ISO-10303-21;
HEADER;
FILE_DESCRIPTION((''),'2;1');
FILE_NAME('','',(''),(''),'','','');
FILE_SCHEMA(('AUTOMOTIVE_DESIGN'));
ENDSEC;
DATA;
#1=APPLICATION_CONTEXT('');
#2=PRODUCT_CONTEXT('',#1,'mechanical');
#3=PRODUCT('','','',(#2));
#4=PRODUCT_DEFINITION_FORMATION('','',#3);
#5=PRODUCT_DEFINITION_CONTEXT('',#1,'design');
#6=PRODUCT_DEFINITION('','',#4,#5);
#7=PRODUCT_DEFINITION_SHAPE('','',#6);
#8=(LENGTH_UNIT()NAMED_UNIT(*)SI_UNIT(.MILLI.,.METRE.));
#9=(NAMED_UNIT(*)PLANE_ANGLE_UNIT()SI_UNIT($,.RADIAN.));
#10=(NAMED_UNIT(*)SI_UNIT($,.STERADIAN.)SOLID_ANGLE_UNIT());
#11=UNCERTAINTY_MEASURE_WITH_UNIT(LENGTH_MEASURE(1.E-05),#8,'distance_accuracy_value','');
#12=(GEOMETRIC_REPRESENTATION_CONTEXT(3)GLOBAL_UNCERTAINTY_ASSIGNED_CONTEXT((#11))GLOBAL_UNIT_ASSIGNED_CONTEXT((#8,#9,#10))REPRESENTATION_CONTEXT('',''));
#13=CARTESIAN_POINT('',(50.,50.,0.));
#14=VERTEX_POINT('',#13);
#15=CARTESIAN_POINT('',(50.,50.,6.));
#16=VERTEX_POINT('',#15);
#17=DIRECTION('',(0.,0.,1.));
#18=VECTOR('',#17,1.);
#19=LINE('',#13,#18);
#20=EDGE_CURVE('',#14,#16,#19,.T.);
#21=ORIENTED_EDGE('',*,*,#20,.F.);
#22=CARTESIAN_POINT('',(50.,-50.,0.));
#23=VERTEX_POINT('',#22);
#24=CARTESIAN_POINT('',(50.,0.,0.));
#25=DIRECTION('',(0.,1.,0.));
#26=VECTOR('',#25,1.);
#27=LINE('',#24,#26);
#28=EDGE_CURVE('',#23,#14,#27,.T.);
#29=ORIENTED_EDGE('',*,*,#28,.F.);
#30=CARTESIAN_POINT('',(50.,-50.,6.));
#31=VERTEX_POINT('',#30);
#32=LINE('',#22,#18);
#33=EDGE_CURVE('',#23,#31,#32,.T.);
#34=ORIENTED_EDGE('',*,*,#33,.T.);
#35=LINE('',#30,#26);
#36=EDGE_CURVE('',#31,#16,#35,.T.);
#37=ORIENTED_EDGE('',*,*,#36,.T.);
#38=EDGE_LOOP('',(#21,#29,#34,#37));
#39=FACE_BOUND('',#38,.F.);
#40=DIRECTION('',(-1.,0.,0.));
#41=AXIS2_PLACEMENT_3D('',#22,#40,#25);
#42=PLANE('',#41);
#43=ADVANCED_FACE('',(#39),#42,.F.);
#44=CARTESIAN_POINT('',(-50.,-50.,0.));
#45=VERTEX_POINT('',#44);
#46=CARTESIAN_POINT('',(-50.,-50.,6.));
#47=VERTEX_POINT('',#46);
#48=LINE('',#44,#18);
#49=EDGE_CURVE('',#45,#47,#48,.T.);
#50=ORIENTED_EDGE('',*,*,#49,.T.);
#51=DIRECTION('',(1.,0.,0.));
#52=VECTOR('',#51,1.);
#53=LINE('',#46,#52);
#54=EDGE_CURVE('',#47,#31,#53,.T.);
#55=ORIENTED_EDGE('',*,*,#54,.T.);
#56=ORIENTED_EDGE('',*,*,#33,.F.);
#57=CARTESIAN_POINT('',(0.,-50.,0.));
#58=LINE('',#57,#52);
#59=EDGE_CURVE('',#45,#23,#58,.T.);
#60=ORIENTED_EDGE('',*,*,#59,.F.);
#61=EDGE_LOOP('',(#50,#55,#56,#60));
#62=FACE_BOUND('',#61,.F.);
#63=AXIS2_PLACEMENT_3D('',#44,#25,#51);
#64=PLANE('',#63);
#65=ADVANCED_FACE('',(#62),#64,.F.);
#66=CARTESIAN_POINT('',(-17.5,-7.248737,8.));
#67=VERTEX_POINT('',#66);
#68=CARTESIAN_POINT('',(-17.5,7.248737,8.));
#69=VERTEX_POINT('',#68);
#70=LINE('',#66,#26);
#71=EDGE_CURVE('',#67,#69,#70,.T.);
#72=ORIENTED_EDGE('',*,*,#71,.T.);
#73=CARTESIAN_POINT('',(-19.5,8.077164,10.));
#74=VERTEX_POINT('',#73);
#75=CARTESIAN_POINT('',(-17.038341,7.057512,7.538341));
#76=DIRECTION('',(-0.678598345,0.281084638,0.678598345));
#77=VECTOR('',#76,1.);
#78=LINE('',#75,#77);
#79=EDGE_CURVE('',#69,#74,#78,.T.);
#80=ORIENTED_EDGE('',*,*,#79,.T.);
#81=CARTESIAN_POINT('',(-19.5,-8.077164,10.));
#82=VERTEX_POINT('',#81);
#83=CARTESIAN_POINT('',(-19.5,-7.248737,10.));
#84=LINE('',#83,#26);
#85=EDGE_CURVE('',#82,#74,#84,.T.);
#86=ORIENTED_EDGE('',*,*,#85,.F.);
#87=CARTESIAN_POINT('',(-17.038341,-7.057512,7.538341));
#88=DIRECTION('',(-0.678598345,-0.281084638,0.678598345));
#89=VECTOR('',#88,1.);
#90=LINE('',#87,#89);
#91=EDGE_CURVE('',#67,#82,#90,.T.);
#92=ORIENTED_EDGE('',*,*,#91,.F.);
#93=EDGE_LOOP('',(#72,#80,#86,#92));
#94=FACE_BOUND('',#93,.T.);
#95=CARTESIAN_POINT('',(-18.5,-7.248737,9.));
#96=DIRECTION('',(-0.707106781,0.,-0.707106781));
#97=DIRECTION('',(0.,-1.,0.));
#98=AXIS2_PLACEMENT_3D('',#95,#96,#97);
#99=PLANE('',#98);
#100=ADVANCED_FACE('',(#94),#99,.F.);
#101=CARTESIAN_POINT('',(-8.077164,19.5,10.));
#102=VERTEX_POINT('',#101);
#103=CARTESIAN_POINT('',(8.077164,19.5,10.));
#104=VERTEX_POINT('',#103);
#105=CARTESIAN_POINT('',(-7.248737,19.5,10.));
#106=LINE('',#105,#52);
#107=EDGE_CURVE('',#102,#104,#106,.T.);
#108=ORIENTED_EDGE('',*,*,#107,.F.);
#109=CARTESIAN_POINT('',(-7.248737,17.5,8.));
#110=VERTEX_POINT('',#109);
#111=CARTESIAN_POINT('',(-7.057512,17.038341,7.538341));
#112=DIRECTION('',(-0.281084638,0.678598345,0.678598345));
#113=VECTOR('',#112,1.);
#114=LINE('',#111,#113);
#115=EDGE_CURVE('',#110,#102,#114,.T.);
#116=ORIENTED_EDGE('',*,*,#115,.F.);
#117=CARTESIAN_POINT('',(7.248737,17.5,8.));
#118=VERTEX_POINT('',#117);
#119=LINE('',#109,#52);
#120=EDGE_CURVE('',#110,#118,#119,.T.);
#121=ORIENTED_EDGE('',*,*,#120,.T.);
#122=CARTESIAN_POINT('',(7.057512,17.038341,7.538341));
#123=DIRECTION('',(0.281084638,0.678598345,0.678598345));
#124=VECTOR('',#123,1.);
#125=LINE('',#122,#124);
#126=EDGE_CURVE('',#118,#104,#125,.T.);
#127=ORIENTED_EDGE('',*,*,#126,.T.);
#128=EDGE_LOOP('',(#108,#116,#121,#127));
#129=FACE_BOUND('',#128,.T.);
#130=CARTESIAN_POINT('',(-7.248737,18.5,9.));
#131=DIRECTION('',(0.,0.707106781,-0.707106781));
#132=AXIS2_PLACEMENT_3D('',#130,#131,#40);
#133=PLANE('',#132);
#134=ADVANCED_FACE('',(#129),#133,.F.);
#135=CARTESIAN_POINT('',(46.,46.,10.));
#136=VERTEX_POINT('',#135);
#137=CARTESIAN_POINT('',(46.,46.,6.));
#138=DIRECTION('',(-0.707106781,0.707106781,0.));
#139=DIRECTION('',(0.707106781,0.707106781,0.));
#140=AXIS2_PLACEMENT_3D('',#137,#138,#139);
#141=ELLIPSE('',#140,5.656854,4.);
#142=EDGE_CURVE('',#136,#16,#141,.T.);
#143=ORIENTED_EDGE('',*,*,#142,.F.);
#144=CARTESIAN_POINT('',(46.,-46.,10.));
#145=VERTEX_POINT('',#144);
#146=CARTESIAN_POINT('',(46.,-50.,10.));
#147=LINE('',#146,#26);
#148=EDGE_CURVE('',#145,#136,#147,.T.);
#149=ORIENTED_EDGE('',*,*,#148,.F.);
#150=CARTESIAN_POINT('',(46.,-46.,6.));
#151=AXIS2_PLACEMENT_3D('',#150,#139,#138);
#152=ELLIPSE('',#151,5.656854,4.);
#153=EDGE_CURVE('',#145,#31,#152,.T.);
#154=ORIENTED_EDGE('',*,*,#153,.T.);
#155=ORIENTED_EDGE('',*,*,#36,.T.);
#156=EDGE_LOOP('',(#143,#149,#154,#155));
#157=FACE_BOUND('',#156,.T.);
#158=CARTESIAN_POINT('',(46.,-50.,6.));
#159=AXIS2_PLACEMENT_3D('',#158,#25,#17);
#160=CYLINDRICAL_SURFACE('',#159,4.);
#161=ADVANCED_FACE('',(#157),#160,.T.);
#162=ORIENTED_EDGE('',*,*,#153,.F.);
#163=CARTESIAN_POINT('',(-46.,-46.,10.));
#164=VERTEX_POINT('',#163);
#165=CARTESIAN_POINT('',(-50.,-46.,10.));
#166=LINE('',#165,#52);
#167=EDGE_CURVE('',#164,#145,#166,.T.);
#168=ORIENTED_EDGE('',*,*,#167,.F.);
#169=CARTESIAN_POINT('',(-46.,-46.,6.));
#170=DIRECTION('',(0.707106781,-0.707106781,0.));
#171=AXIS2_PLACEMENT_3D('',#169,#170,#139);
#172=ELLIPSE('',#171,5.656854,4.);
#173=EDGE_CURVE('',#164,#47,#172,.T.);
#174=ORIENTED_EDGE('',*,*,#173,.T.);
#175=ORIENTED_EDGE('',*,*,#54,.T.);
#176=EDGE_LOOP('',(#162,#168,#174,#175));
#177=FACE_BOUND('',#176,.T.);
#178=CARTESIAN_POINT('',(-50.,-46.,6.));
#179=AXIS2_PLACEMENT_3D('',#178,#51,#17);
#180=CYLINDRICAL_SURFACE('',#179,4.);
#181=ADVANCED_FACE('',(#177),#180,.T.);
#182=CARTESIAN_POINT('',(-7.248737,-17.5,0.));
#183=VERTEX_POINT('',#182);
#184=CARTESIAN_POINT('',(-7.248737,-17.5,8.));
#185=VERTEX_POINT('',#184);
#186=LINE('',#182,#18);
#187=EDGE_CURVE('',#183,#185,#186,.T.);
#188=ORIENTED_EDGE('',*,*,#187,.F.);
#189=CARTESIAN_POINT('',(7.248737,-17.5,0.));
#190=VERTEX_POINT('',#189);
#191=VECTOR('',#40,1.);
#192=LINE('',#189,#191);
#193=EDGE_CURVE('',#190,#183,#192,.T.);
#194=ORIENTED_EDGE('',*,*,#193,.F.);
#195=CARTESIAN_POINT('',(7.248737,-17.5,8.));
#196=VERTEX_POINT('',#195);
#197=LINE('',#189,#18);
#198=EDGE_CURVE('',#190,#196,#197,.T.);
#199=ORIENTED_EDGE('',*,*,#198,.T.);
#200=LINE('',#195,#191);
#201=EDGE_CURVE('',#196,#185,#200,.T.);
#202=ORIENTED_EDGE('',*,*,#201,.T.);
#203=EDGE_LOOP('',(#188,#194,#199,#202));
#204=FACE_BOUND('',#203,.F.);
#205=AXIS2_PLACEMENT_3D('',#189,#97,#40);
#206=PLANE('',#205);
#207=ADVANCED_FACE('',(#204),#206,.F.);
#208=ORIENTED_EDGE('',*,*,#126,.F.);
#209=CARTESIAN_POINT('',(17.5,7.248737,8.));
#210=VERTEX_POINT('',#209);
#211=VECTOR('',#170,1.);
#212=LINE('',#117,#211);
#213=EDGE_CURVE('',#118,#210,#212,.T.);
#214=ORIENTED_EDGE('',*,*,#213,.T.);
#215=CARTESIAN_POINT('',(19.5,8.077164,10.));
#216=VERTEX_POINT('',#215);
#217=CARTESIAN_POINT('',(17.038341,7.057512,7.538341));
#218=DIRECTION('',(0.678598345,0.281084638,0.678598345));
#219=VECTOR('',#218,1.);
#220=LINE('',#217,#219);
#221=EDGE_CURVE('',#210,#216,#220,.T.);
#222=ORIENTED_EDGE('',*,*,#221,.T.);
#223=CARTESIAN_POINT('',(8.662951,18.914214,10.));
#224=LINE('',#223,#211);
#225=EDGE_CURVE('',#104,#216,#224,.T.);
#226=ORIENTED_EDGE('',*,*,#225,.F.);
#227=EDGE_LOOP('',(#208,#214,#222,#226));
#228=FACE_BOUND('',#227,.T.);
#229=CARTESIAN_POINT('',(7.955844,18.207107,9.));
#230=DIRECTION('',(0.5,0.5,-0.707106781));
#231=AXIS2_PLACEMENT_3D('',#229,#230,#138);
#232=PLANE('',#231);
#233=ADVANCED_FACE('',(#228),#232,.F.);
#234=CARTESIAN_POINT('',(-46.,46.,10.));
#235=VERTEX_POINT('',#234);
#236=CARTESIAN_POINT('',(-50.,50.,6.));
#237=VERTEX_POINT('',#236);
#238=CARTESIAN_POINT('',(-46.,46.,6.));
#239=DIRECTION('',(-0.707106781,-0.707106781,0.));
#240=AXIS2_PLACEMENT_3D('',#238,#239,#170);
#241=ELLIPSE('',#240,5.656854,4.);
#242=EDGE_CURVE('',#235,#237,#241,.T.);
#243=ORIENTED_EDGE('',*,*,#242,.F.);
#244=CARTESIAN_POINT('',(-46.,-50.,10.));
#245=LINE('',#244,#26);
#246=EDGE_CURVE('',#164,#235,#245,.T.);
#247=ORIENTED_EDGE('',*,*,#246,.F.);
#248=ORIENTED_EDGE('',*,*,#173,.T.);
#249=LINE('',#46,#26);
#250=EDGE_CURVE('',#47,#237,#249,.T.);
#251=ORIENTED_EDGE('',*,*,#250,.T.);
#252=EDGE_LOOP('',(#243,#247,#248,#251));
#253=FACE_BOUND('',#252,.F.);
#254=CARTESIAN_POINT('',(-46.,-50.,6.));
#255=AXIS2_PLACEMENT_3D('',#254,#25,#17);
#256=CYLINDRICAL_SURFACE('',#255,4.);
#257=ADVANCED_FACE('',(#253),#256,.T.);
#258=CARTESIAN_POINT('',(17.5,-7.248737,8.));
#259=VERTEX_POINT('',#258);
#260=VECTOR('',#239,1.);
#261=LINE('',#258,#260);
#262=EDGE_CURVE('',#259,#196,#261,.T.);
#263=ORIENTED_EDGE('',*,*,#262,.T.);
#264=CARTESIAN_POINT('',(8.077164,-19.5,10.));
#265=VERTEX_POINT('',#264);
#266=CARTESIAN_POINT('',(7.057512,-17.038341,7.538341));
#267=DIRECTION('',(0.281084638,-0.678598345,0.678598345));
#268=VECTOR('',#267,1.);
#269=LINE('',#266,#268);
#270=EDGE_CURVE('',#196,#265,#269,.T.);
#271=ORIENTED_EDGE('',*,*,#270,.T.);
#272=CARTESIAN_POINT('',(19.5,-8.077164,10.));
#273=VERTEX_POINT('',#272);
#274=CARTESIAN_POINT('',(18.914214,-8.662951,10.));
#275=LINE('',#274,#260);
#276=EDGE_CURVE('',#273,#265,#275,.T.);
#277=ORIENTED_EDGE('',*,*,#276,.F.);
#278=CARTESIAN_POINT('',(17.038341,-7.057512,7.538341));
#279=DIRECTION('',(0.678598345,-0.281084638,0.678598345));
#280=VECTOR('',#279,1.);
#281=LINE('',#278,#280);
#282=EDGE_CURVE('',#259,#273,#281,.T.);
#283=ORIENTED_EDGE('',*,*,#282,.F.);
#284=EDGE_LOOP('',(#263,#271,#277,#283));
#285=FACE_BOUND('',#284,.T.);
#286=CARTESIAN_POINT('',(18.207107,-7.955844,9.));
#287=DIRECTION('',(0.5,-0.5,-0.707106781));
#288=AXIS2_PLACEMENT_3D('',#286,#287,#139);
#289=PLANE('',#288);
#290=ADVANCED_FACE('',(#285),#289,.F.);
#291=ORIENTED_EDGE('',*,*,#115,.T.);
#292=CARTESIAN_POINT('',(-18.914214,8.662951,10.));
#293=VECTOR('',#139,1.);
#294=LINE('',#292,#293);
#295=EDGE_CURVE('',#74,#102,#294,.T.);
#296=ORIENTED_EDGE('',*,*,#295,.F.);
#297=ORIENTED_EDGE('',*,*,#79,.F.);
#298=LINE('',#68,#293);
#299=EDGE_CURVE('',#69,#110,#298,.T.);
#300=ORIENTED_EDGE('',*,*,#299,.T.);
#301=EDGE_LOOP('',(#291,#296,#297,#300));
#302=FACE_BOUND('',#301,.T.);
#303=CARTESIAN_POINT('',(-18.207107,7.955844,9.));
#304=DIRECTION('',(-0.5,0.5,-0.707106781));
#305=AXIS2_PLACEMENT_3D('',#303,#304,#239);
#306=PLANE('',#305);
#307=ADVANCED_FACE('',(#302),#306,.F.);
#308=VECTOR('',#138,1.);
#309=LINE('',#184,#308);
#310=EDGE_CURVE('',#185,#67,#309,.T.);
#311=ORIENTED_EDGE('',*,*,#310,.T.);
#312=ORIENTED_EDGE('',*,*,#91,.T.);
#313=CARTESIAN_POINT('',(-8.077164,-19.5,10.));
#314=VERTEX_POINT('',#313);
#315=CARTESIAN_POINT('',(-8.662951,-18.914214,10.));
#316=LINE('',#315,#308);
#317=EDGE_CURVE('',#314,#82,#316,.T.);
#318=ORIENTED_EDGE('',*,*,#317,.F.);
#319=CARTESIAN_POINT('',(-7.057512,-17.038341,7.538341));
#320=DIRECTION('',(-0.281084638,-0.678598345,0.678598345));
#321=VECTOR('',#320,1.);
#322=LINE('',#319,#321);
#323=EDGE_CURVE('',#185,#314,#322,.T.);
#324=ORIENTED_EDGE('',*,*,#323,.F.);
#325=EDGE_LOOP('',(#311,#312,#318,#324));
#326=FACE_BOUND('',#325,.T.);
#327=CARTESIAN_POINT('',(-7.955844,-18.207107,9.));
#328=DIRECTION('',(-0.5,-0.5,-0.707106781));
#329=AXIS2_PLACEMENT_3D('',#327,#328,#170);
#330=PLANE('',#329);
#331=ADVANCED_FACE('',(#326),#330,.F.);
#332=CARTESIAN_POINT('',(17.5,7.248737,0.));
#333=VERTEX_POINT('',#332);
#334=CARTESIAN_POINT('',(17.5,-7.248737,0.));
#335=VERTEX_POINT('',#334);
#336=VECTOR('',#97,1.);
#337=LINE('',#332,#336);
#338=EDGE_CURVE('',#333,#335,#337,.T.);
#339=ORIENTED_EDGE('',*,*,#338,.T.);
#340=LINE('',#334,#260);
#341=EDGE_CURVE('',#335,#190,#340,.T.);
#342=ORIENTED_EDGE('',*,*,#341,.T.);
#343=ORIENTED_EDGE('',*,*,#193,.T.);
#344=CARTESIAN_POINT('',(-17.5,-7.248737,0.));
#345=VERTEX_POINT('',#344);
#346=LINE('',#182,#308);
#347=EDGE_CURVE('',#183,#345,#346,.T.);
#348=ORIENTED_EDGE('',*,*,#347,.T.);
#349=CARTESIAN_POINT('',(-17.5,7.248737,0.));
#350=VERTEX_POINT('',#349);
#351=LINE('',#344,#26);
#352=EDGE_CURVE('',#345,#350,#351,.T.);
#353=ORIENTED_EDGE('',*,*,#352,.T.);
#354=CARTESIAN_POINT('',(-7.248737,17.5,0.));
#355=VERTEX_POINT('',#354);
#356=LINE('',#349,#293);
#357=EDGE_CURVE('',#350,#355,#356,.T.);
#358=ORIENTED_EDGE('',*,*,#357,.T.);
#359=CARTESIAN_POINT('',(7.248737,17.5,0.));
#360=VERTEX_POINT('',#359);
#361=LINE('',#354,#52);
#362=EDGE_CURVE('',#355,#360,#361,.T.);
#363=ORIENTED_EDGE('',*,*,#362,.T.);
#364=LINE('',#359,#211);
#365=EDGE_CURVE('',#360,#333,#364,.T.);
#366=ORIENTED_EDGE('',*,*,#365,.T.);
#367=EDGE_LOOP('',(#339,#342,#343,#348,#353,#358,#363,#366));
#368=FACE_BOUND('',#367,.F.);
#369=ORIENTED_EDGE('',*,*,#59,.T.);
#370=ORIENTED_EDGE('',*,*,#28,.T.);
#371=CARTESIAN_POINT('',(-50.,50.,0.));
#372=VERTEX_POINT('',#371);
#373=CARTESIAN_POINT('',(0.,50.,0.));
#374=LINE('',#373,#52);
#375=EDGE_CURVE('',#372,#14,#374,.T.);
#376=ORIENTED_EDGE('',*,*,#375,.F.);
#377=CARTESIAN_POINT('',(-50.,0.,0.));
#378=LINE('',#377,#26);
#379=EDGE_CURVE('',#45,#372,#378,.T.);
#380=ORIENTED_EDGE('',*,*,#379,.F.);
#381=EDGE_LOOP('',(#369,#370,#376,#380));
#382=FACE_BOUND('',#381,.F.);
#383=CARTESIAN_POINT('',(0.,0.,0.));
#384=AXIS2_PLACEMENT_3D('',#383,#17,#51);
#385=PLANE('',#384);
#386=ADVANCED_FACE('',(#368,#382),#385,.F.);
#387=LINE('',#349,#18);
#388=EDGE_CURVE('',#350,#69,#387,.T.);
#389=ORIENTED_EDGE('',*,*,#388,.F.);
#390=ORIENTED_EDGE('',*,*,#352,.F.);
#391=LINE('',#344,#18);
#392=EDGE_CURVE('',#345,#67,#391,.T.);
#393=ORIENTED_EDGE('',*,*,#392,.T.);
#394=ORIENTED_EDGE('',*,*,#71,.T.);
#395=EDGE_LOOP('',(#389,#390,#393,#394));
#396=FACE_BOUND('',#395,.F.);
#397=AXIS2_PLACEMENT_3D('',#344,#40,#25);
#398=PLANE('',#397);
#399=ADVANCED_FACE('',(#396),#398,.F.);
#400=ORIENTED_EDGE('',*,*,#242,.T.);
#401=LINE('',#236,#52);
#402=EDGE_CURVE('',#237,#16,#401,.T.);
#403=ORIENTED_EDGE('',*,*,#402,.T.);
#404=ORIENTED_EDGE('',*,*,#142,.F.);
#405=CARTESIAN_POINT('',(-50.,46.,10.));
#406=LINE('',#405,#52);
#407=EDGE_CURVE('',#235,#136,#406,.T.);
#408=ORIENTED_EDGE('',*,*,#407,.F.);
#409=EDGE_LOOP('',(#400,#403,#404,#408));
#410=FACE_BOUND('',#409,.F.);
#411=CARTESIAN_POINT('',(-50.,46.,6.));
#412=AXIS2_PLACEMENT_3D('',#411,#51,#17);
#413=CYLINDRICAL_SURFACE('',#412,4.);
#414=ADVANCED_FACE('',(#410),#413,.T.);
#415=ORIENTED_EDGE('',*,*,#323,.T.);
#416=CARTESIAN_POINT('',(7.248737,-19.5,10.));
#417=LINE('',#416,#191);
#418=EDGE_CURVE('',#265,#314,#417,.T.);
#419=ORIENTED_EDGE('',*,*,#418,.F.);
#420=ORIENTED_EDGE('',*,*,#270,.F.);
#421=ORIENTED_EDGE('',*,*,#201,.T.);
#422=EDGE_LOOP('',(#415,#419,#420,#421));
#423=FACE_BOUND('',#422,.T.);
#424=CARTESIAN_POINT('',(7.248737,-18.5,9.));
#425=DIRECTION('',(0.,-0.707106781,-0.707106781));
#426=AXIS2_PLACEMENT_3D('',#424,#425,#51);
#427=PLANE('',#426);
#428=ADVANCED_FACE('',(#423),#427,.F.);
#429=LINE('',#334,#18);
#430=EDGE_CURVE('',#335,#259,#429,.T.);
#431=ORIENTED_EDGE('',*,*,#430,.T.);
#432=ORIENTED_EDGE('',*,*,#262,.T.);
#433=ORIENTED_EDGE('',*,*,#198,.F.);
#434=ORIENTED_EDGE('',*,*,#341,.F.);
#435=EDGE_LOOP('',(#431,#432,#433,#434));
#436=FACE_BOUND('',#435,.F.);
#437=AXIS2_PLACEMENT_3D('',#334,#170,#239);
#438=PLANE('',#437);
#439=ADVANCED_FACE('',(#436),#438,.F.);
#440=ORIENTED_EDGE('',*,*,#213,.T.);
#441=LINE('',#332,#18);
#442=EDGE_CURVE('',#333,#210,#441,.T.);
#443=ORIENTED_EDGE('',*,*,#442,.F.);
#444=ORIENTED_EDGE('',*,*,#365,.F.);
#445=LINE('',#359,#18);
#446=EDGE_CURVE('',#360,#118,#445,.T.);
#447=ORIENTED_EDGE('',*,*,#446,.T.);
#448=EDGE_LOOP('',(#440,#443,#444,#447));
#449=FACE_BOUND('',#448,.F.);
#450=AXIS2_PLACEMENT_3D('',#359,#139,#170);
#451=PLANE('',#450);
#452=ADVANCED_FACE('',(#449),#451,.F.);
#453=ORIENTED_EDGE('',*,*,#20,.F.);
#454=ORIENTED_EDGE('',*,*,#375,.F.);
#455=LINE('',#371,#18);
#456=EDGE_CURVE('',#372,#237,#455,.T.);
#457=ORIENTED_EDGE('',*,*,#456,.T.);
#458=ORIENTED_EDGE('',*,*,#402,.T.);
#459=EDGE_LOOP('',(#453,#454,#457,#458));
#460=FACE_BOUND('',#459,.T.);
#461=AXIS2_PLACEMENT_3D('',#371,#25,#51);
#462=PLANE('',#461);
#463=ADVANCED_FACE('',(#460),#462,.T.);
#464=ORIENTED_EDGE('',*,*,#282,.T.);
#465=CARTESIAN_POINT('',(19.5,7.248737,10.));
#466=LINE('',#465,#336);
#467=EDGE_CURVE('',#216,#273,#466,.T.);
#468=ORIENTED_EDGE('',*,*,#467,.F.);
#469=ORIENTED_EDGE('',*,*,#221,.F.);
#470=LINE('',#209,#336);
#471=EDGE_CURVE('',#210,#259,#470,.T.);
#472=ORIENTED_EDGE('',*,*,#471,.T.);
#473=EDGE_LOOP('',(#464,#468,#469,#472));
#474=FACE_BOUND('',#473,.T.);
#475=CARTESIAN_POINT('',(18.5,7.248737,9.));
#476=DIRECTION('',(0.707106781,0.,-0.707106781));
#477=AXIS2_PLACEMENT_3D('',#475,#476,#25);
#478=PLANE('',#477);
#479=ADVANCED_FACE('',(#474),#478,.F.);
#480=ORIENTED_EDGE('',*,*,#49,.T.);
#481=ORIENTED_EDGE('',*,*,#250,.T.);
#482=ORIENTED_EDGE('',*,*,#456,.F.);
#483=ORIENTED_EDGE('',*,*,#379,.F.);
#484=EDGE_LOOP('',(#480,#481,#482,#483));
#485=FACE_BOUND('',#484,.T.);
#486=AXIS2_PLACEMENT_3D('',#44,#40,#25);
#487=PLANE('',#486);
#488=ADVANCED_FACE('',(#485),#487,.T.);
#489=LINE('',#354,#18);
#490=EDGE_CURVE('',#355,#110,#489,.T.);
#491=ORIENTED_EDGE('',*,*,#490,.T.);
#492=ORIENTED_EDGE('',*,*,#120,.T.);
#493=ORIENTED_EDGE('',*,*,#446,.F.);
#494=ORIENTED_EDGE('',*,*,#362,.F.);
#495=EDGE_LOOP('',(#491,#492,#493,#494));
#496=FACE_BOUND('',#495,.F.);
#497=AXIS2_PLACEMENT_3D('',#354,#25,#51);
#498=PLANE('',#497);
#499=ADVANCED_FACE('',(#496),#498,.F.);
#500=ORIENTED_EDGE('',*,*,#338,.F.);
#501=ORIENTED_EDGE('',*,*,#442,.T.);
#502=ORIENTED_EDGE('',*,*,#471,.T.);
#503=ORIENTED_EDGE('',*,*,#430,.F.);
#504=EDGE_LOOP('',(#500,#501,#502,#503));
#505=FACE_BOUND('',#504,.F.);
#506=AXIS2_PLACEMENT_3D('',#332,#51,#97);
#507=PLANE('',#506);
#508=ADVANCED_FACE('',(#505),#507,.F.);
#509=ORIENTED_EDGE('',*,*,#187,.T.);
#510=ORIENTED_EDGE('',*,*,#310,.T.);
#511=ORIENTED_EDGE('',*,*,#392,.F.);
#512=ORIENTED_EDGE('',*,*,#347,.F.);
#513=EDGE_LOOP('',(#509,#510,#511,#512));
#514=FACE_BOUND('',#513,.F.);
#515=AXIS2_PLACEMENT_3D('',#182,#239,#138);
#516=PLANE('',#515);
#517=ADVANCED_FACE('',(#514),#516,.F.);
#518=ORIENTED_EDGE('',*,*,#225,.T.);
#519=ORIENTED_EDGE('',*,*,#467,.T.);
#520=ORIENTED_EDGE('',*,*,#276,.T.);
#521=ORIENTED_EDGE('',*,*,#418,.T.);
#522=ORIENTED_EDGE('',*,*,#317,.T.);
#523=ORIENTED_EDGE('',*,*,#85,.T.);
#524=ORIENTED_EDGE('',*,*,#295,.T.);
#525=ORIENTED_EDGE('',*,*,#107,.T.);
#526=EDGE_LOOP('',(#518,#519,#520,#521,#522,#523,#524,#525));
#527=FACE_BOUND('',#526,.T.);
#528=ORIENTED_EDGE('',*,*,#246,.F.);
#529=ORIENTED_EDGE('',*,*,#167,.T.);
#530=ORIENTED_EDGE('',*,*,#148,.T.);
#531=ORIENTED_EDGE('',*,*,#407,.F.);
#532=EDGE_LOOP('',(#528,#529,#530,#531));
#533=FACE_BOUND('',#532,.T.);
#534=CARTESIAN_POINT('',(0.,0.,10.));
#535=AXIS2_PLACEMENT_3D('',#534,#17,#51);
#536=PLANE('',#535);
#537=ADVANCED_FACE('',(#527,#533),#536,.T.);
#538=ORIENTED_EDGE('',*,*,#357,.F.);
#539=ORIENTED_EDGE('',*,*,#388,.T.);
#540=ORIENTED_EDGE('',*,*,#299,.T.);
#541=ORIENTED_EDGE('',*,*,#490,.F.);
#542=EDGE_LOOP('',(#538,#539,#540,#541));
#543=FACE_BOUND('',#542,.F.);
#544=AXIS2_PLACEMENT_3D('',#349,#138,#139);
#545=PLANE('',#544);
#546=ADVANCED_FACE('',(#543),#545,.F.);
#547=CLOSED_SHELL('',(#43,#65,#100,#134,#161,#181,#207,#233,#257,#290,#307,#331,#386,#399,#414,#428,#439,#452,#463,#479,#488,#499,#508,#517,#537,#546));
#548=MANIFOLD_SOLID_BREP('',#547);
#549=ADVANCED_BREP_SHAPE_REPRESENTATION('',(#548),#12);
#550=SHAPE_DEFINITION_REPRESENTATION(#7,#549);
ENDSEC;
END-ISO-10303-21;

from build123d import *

# Parameters (mm, degrees)
F0_W     = 100
F0_H     = 100
F1_DEPTH = 10
F2_SIZE  = 2
F3_R     = 4


with BuildPart() as f1:
    # F0 (on Top) → F1 (new body)
    with BuildSketch(Plane.XY):
        Rectangle(F0_W, F0_H)
        Polygon((-17.5, 7.248737), (-7.248737, 17.5), (7.248737, 17.5), (17.5, 7.248737), (17.5, -7.248737), (7.248737, -17.5), (-7.248737, -17.5), (-17.5, -7.248737), align=None, mode=Mode.SUBTRACT)
    extrude(amount=F1_DEPTH)

    # F2
    f2_edges = [f1.edges().sort_by_distance(p)[0] for p in [
        (0, 17.5, 10),
        (12.374369, 12.374369, 10),
        (17.5, 0, 10),
        (12.374369, -12.374369, 10),
        (0, -17.5, 10),
        (-12.374369, -12.374369, 10),
        (-17.5, 0, 10),
        (-12.374369, 12.374369, 10),
    ]]
    chamfer(f2_edges, length=F2_SIZE)

    # F3
    f3_edges = [f1.edges().sort_by_distance(p)[0] for p in [
        (0, 50, 10),
        (50, 0, 10),
        (-50, 0, 10),
        (0, -50, 10),
    ]]
    fillet(f3_edges, radius=F3_R)


solid = f1.part
